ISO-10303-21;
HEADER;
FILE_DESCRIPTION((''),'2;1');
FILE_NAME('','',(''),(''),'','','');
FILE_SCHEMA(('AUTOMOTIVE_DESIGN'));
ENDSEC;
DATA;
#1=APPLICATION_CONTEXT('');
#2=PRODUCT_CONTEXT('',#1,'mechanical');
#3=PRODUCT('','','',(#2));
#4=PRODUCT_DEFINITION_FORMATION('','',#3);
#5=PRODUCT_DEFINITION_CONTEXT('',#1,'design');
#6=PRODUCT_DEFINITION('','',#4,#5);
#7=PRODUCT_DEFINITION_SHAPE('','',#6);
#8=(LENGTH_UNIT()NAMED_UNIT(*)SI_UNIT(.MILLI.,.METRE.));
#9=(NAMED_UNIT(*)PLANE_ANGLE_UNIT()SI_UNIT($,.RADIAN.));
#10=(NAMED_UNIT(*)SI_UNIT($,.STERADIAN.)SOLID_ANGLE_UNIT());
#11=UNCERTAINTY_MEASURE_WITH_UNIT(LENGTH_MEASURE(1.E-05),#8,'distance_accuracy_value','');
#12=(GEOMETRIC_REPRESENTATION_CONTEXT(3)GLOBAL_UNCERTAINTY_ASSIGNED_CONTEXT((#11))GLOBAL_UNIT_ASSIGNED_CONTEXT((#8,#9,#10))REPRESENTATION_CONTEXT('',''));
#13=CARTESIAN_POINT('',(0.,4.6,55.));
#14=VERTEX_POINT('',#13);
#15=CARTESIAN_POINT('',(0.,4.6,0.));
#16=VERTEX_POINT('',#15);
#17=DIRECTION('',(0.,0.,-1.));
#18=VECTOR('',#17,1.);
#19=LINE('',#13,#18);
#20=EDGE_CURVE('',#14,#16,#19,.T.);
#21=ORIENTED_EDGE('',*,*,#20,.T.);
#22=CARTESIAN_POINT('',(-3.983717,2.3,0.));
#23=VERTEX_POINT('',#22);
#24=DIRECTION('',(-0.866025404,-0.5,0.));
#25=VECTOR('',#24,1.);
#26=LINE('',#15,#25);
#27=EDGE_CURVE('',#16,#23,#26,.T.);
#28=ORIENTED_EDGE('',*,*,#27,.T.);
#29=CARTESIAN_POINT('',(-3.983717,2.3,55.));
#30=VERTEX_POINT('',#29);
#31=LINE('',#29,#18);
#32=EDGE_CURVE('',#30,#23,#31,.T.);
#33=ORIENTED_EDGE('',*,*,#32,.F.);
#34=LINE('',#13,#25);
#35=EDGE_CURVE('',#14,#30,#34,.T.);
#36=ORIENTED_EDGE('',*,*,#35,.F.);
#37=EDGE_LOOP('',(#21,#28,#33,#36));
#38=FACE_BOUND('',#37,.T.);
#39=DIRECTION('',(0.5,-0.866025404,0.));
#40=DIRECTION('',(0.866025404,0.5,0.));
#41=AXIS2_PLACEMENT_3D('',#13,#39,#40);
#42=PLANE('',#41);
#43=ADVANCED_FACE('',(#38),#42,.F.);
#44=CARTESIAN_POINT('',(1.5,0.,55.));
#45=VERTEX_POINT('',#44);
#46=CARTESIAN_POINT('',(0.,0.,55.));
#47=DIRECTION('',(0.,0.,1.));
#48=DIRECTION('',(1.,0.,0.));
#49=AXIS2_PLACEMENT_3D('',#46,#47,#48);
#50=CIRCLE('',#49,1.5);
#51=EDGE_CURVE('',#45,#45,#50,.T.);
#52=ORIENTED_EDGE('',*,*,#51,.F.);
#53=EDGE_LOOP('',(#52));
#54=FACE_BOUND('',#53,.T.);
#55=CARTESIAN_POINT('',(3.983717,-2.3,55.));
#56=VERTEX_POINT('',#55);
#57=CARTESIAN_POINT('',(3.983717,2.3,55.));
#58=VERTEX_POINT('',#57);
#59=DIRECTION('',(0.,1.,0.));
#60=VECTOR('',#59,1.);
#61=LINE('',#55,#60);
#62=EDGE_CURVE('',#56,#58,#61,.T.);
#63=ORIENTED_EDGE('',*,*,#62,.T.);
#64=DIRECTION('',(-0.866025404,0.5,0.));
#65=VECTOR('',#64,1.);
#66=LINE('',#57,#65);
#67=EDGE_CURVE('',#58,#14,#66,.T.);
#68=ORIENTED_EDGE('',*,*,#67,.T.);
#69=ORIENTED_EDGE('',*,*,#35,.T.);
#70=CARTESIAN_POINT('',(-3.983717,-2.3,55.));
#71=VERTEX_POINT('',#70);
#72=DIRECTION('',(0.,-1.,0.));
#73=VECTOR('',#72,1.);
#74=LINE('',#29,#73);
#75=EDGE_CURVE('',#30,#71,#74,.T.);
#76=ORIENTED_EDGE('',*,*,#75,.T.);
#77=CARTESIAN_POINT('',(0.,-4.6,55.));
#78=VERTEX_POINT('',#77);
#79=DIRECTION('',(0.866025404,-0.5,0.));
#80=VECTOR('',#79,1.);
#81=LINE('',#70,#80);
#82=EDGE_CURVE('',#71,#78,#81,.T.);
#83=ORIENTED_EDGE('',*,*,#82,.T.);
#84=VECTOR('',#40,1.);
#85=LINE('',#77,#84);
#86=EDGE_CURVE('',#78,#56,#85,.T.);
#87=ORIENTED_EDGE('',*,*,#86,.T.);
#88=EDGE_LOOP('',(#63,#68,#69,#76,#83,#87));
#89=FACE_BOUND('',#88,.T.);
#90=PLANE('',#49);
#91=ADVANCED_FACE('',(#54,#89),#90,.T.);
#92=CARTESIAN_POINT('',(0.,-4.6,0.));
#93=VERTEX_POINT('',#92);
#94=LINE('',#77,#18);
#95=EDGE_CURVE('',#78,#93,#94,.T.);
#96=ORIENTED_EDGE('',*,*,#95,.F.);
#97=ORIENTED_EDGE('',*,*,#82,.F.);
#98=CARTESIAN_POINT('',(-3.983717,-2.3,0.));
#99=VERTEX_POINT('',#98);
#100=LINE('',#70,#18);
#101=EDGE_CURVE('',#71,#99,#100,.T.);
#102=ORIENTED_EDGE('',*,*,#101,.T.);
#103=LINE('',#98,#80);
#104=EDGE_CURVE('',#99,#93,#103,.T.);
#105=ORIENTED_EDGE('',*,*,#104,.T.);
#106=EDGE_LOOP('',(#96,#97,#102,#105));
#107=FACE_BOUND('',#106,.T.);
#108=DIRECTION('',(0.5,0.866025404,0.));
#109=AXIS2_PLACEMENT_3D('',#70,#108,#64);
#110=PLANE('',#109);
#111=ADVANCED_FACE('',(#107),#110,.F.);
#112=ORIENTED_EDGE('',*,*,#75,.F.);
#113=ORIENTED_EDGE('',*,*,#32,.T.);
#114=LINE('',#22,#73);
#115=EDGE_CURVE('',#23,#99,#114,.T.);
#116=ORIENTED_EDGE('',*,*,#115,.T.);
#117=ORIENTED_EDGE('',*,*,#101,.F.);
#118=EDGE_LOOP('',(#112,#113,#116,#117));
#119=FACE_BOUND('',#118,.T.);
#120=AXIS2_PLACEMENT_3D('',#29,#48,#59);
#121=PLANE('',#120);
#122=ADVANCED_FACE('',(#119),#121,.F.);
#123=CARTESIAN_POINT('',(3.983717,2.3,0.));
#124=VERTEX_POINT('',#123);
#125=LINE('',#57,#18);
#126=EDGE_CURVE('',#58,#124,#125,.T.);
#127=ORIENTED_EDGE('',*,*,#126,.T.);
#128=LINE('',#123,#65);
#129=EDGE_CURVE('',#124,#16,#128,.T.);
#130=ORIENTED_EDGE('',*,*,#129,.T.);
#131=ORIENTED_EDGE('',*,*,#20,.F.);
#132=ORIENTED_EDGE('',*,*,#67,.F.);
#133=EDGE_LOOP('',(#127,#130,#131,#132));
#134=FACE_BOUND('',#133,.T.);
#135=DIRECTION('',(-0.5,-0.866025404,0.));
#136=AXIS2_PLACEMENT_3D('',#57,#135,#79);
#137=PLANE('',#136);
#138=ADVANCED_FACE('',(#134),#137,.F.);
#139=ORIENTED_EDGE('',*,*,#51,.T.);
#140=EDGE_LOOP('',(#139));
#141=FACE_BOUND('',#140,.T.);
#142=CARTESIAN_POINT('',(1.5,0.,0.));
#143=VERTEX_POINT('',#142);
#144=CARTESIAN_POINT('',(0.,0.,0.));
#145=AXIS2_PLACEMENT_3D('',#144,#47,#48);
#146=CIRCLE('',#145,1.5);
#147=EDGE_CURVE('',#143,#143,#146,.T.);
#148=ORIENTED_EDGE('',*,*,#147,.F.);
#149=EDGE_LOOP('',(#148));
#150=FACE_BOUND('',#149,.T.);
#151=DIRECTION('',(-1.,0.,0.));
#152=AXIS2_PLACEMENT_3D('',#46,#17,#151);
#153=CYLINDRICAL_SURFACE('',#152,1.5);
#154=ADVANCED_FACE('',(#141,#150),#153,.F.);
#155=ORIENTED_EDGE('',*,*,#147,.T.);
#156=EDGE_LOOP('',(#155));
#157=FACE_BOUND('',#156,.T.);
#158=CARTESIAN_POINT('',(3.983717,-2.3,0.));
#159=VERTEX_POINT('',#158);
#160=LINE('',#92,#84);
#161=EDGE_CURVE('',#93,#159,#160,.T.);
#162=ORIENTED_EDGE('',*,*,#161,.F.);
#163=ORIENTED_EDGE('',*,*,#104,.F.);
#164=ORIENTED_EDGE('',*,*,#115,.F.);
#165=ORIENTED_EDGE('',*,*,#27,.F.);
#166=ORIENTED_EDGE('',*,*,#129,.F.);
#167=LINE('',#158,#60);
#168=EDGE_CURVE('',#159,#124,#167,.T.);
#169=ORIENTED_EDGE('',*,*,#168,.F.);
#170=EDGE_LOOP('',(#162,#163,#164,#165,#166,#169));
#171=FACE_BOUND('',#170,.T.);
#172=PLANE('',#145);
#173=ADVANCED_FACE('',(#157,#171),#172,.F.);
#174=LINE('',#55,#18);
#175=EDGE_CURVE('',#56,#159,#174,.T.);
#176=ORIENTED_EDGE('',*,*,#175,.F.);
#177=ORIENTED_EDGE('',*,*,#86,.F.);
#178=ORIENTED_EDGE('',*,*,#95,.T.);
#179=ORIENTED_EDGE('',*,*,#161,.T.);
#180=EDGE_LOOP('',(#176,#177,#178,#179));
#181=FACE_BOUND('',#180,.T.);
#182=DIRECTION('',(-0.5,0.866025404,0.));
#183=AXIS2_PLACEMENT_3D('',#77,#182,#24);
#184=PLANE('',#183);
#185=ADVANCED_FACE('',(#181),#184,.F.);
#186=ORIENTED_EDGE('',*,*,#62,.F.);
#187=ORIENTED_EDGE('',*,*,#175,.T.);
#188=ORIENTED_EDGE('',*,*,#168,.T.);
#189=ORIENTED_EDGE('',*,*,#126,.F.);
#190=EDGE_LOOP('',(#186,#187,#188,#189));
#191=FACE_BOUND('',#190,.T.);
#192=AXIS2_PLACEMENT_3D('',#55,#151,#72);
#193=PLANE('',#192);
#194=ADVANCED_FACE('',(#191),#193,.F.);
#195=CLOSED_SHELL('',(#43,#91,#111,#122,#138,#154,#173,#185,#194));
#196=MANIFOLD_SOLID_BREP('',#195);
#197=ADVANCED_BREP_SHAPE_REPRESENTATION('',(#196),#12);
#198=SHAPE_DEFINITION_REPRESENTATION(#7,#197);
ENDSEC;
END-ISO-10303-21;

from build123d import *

# Parameters (mm, degrees)
SKETCH_1_R      = 1.5
EXTRUDE_1_DEPTH = 55


with BuildPart() as part:
    # 草图1 → 凸台-拉伸1 (new body)
    with BuildSketch(Plane.XY):
        Polygon((3.983716857, -2.3), (3.983716857, 2.3), (0, 4.6), (-3.983716857, 2.3), (-3.983716857, -2.3), (0, -4.6), align=None)
        Circle(SKETCH_1_R, mode=Mode.SUBTRACT)
    extrude(amount=EXTRUDE_1_DEPTH)


solid = part.part
